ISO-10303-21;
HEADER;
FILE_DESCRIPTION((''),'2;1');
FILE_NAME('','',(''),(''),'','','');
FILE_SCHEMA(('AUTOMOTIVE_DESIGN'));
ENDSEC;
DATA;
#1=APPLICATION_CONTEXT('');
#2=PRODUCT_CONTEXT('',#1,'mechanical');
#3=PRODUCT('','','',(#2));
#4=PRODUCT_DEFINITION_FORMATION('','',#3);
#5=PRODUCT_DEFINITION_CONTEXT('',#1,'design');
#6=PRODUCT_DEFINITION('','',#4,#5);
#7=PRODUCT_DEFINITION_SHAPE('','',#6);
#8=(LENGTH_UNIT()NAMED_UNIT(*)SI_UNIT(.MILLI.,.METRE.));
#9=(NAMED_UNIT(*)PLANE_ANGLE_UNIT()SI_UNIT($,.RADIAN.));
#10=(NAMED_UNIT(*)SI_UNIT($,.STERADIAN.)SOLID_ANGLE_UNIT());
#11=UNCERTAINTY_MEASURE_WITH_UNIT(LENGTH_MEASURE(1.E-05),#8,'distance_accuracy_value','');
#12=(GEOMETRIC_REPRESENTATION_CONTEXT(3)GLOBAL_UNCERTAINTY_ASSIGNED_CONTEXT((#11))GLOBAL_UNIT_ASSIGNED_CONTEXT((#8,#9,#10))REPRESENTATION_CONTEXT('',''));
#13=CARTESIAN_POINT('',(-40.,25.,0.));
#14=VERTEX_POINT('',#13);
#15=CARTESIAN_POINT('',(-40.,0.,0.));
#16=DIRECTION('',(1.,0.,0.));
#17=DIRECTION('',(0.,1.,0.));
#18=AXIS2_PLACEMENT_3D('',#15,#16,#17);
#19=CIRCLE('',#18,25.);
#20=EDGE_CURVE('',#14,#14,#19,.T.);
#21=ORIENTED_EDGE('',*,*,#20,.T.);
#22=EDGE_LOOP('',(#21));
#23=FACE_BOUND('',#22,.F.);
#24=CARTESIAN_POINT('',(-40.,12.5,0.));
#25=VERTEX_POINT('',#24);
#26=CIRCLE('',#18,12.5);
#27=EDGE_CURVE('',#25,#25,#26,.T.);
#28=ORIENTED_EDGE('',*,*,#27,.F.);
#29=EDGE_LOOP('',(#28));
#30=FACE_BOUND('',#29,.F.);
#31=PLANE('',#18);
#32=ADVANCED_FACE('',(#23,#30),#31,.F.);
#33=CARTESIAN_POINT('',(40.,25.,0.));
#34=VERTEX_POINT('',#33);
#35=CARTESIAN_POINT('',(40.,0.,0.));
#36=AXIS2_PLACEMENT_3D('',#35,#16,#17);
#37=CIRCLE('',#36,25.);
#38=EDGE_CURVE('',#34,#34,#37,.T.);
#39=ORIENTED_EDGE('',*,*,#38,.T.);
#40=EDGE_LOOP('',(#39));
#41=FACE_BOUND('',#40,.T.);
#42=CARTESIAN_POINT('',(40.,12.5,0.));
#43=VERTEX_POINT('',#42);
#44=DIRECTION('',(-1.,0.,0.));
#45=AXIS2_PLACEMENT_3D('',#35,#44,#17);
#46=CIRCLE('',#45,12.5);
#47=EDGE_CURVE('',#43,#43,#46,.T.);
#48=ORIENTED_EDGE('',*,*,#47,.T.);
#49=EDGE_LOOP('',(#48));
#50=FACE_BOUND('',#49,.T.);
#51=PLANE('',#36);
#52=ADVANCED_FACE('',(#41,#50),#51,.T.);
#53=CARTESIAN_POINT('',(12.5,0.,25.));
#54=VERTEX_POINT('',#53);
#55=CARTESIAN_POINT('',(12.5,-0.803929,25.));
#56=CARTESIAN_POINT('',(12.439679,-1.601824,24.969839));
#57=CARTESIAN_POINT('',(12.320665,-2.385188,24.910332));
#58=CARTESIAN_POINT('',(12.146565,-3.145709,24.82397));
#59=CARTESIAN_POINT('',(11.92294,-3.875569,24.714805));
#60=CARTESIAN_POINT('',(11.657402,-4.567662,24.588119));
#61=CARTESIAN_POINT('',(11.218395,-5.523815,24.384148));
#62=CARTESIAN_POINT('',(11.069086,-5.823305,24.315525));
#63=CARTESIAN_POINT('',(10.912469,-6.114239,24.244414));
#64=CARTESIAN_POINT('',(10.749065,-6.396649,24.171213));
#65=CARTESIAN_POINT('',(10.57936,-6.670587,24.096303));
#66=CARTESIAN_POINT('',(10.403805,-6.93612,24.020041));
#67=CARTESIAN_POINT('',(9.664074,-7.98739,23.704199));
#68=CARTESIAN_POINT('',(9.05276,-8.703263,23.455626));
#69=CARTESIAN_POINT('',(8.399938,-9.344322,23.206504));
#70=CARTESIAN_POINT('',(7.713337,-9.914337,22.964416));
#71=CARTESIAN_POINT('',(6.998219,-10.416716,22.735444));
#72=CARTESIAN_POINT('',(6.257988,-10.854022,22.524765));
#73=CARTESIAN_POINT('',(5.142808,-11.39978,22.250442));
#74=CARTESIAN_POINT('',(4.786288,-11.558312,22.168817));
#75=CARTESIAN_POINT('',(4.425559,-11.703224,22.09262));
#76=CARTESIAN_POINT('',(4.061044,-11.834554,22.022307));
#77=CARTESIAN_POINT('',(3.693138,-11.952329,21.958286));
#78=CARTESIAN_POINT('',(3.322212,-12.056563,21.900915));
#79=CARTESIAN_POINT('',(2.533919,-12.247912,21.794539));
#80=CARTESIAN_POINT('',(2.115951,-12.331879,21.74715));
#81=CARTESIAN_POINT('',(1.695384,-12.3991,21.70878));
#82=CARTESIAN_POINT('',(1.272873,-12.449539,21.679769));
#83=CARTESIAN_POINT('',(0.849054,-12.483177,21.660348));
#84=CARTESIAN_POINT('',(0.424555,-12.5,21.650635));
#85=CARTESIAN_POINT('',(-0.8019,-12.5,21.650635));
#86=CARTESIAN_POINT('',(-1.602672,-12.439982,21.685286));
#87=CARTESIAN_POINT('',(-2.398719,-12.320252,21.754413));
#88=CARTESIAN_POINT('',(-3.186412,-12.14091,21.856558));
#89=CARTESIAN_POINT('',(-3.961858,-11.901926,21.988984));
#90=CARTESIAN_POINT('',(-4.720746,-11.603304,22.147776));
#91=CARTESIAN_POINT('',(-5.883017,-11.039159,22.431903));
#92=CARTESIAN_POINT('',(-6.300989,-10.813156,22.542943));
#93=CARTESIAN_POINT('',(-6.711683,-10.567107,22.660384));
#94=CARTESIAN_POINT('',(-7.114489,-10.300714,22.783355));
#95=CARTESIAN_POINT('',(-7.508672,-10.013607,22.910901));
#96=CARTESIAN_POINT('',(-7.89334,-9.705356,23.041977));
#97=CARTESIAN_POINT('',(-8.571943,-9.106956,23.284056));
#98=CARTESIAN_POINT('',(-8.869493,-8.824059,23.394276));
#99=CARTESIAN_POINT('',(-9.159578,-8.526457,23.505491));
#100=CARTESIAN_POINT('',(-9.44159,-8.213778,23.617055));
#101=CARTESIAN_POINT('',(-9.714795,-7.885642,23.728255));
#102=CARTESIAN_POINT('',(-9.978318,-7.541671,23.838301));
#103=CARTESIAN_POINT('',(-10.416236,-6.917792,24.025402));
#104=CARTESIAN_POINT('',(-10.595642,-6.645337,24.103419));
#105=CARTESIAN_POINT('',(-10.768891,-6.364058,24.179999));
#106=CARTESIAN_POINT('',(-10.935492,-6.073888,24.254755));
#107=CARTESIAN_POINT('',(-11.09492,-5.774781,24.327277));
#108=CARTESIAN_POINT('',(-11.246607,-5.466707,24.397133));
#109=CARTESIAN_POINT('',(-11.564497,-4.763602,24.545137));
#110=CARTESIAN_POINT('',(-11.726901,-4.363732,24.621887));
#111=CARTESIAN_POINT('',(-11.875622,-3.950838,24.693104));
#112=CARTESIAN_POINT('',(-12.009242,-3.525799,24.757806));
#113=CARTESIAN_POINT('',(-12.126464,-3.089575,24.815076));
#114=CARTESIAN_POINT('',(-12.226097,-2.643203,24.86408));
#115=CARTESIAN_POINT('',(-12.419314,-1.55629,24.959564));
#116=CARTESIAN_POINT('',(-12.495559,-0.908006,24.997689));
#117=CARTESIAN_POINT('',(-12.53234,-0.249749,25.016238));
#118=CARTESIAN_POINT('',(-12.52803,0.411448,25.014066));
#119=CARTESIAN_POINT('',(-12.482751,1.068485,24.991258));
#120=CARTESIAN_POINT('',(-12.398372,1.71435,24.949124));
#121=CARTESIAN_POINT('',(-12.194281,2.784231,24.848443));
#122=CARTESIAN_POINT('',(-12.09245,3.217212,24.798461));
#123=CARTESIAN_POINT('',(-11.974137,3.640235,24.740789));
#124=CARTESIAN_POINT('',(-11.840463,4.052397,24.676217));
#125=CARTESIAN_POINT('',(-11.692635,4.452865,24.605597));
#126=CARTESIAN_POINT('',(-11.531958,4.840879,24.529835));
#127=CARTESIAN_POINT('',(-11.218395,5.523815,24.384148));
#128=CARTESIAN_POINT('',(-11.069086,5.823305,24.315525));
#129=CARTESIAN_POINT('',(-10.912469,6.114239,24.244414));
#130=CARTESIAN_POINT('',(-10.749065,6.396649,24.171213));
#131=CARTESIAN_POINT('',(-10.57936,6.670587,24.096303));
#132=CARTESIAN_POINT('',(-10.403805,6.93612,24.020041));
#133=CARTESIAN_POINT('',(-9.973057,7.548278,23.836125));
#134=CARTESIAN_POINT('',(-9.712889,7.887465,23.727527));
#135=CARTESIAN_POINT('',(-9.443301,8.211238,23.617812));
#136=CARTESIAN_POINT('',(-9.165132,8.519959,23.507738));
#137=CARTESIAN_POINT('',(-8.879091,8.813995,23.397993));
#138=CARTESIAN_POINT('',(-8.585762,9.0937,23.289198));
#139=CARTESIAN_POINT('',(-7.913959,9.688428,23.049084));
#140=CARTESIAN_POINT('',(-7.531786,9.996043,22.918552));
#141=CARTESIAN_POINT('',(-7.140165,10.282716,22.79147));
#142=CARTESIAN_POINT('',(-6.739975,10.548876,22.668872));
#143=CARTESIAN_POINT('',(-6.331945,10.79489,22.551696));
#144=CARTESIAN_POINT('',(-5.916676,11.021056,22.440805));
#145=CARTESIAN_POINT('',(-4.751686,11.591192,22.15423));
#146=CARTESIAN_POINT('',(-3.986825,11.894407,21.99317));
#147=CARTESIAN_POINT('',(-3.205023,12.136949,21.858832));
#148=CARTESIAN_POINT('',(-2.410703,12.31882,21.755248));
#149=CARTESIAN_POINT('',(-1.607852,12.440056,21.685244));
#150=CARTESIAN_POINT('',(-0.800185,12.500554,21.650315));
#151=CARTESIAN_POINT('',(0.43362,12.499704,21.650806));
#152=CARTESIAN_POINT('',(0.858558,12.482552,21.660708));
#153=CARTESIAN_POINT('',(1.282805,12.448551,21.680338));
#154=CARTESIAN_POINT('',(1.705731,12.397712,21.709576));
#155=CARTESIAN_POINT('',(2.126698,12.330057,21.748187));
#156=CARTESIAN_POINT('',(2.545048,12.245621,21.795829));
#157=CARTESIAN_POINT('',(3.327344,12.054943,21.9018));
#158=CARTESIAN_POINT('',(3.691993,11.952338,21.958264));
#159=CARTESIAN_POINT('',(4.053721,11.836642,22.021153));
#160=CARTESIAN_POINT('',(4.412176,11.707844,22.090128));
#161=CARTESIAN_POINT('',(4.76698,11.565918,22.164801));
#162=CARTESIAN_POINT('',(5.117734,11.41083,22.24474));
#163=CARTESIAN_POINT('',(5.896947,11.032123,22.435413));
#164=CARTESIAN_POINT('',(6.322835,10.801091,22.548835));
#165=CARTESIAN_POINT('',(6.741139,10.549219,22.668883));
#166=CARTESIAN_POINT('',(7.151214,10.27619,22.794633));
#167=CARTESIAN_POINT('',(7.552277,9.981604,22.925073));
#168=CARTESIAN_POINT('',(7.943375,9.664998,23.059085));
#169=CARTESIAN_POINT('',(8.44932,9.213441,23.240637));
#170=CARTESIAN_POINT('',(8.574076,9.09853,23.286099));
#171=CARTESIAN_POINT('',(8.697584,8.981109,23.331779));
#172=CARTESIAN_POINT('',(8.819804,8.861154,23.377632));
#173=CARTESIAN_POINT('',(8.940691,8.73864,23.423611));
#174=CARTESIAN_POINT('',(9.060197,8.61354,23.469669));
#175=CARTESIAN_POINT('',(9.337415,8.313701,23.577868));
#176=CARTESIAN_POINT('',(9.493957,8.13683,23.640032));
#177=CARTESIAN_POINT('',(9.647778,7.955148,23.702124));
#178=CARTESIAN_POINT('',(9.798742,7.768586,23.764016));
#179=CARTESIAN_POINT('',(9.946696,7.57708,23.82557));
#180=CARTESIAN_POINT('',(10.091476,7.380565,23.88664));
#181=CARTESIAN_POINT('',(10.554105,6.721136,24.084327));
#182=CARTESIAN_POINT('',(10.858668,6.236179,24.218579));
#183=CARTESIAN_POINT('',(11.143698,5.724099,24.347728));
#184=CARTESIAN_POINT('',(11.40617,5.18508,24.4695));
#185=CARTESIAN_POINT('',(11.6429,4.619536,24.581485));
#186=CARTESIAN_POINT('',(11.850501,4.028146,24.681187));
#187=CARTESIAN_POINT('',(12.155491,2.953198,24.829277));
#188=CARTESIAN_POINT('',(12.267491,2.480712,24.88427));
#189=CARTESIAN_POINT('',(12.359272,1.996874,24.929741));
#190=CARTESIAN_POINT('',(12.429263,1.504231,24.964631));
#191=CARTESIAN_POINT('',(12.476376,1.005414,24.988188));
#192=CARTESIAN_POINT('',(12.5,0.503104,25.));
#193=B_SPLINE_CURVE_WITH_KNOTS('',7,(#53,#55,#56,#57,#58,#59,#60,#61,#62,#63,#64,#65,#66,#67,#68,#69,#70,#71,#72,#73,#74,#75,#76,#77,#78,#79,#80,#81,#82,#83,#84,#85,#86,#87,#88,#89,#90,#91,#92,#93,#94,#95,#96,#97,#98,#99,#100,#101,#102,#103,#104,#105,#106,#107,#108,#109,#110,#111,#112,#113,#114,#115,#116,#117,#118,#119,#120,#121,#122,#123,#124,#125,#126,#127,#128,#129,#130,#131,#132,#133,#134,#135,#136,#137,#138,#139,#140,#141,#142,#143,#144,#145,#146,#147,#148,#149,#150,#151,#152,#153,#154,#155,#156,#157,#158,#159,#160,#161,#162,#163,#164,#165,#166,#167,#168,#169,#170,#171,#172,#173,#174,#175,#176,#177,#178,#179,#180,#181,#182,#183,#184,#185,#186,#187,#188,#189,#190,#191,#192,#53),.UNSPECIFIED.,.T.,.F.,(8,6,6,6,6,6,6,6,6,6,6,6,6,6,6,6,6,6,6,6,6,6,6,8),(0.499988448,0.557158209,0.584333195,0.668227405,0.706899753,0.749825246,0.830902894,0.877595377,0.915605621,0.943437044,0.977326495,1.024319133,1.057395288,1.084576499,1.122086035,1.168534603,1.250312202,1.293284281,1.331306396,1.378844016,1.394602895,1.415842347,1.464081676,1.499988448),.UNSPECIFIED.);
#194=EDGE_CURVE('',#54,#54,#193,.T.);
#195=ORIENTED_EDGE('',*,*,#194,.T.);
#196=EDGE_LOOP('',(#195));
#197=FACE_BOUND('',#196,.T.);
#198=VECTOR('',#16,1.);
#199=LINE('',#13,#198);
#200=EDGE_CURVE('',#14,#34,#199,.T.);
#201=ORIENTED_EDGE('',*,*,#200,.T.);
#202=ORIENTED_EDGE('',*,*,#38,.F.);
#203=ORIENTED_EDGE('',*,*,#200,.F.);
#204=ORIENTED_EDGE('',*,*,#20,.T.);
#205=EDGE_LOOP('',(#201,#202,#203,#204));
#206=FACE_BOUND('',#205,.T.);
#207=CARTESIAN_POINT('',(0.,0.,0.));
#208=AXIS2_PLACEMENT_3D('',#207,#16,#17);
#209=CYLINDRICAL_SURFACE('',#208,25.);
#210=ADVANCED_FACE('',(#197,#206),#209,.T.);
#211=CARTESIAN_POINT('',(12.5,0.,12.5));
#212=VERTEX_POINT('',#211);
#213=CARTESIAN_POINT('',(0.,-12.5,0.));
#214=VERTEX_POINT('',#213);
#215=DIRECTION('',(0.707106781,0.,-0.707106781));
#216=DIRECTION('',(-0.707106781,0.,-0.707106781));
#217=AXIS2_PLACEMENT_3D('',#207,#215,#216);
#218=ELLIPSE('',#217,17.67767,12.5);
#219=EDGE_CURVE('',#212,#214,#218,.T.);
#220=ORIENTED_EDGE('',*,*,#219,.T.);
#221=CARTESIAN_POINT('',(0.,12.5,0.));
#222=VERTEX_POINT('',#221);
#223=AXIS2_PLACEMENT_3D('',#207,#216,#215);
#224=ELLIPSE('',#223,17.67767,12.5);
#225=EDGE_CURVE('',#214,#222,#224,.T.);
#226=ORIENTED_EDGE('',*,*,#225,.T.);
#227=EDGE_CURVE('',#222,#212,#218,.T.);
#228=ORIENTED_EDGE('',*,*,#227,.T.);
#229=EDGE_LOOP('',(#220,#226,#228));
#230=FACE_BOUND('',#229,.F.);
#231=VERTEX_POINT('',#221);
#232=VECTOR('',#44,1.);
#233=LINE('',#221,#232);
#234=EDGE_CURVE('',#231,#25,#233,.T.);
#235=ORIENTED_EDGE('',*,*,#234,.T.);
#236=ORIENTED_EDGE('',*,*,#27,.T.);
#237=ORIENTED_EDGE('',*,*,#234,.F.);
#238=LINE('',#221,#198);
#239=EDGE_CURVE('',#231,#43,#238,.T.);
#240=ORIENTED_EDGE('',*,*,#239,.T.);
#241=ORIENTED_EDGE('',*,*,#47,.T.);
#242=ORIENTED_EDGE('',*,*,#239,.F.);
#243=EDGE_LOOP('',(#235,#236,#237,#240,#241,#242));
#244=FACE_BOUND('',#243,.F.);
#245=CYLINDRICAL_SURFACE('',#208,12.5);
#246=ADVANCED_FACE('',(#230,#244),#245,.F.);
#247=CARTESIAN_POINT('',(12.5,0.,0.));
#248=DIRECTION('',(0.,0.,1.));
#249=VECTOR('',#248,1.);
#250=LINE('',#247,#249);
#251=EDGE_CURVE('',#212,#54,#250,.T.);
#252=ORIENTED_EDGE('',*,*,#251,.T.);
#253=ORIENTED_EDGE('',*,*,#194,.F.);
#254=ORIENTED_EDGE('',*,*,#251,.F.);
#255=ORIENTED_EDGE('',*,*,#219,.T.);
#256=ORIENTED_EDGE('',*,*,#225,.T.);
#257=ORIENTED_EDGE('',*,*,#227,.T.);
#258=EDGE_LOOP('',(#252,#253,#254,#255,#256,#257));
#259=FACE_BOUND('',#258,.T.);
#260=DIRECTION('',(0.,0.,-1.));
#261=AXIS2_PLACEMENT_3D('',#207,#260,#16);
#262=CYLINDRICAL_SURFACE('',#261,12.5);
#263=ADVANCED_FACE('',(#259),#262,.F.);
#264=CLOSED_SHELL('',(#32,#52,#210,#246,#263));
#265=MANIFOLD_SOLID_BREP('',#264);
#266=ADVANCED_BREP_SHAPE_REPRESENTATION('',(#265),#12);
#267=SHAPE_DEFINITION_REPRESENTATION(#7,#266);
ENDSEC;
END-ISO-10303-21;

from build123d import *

# Parameters (mm, degrees)
F0_R          = 25
F1_DEPTH      = 40
F2_R          = 12.5
F3_DEPTH      = 25
F4_R          = 12.5
F5_DEPTH      = 40.001
F5_DEPTH_BACK = 40.001


with BuildPart() as f1:
    # F0 (on Right) → F1 (new body, symmetric)
    with BuildSketch(Plane.YZ):
        Circle(F0_R)
    extrude(amount=F1_DEPTH, both=True)

    # F2 (on Top) → F3 (cut)
    with BuildSketch(Plane.XY):
        Circle(F2_R)
    extrude(amount=F3_DEPTH, mode=Mode.SUBTRACT)

    # F4 (on Right) → F5 (cut, two sides)
    with BuildSketch(Plane.YZ) as f5_sk:
        Circle(F4_R)
    extrude(amount=F5_DEPTH, mode=Mode.SUBTRACT)
    extrude(f5_sk.sketch, amount=-F5_DEPTH_BACK, mode=Mode.SUBTRACT)


solid = f1.part
